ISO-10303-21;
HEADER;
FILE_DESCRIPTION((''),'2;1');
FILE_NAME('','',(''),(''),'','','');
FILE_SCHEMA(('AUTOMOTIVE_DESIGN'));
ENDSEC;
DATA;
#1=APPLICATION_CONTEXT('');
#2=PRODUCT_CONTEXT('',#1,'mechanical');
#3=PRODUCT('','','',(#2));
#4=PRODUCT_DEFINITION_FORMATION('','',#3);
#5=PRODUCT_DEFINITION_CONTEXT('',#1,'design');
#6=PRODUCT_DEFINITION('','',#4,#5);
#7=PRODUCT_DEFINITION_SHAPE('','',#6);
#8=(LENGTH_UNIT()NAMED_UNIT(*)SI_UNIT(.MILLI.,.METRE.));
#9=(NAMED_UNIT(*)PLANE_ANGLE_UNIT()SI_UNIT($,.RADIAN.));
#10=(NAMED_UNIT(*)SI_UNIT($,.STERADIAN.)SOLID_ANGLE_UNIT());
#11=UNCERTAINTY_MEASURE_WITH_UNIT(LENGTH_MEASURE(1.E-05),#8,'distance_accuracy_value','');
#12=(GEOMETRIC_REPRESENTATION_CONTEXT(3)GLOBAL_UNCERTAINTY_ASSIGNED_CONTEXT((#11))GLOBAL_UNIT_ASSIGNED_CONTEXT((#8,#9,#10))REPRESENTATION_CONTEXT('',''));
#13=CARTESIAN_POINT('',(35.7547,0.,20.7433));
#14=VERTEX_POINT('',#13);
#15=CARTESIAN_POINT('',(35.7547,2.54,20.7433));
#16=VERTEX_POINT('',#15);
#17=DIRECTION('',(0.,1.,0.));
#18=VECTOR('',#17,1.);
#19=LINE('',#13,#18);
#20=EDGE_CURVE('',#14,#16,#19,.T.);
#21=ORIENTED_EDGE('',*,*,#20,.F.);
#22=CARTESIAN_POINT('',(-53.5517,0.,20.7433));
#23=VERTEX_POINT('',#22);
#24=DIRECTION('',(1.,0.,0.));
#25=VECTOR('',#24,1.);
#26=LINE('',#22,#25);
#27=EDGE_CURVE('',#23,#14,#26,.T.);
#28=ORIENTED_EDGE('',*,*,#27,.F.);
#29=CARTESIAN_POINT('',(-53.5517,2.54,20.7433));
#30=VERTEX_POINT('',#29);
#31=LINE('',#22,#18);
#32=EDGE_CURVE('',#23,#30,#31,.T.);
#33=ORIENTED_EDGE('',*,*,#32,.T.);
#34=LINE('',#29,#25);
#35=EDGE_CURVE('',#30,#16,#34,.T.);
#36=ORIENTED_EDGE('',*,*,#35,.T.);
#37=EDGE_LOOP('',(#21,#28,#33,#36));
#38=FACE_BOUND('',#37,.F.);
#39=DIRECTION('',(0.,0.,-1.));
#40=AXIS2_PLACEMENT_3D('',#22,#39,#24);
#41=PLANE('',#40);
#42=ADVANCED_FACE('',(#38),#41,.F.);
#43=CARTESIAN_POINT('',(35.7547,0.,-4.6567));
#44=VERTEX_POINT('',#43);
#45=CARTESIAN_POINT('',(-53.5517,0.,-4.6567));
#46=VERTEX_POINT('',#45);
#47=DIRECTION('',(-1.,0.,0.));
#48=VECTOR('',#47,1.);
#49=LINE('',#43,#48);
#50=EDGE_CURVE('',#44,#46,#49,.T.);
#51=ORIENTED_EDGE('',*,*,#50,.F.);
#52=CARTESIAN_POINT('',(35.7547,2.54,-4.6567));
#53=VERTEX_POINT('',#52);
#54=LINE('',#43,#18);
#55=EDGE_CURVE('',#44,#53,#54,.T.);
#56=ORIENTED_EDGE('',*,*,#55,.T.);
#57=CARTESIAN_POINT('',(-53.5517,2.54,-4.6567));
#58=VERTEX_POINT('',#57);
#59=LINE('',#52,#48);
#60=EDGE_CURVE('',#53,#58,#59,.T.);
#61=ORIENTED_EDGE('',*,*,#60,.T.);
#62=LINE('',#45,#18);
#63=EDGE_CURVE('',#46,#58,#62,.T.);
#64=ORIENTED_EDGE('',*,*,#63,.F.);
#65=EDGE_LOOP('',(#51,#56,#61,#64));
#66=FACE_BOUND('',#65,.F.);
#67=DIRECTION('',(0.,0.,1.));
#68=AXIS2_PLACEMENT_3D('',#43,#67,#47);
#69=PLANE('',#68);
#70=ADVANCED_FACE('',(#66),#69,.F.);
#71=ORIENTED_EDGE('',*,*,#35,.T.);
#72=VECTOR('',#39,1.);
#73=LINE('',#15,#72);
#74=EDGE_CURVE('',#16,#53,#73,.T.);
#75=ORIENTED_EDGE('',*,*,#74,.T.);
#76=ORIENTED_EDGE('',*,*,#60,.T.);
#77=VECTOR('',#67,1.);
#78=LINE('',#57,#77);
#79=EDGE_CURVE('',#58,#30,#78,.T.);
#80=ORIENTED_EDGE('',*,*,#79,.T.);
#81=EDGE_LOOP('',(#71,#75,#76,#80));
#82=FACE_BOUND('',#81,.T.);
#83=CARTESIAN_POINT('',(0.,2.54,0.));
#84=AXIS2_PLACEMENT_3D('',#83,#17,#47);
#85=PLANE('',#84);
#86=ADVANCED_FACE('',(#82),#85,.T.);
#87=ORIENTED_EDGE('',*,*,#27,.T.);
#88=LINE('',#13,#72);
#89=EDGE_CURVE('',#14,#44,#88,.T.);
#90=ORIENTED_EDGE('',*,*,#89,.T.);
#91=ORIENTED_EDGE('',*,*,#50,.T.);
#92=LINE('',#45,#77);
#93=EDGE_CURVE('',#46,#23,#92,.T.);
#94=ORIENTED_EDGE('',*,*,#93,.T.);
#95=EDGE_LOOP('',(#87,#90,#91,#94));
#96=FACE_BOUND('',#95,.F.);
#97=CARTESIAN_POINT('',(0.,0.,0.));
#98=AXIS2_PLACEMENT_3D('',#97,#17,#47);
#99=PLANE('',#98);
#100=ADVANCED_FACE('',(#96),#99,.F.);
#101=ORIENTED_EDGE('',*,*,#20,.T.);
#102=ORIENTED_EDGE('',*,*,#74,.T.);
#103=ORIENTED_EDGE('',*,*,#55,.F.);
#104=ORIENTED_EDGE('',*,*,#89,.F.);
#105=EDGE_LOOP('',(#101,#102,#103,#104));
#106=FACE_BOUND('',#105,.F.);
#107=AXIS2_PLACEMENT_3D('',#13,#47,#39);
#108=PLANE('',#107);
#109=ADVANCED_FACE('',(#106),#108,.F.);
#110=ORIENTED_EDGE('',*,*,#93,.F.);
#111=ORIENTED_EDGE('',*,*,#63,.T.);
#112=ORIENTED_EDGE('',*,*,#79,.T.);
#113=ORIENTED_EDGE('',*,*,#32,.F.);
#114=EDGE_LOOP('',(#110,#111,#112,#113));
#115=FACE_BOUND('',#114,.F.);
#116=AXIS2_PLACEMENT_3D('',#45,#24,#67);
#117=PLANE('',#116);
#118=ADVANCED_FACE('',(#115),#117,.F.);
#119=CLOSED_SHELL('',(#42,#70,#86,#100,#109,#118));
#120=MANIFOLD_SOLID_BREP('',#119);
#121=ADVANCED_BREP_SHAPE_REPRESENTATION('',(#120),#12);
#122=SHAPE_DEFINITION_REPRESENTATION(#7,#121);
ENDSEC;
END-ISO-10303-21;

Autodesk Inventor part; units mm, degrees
ref_plane "YZ Plane" through (0, 0, 0) normal (1, 0, 0) x (0, 1, 0)
ref_plane "XZ Plane" through (0, 0, 0) normal (0, 1, 0) x (-1, 0, 0)
ref_plane "XY Plane" through (0, 0, 0) normal (0, 0, 1) x (1, 0, 0)
sketch "Sketch1" plane through (0, 0, 0) normal (0, 1, 0) x (-1, 0, 0)
  line L0 (53.5517, 20.7433) -> (-35.7547, 20.7433)
  line L1 (-35.7547, 20.7433) -> (-35.7547, -4.6567)
  line L2 (-35.7547, -4.6567) -> (53.5517, -4.6567)
  line L3 (53.5517, -4.6567) -> (53.5517, 20.7433)
  point P0 (0, 0)
  dimension "d0" = 25.4
  dimension "d1" = 89.3064
extrude "Extrusion1" add sketch "Sketch1" along normal blind 2.54
properties part number "aLMOST uSELESS pART!!"
